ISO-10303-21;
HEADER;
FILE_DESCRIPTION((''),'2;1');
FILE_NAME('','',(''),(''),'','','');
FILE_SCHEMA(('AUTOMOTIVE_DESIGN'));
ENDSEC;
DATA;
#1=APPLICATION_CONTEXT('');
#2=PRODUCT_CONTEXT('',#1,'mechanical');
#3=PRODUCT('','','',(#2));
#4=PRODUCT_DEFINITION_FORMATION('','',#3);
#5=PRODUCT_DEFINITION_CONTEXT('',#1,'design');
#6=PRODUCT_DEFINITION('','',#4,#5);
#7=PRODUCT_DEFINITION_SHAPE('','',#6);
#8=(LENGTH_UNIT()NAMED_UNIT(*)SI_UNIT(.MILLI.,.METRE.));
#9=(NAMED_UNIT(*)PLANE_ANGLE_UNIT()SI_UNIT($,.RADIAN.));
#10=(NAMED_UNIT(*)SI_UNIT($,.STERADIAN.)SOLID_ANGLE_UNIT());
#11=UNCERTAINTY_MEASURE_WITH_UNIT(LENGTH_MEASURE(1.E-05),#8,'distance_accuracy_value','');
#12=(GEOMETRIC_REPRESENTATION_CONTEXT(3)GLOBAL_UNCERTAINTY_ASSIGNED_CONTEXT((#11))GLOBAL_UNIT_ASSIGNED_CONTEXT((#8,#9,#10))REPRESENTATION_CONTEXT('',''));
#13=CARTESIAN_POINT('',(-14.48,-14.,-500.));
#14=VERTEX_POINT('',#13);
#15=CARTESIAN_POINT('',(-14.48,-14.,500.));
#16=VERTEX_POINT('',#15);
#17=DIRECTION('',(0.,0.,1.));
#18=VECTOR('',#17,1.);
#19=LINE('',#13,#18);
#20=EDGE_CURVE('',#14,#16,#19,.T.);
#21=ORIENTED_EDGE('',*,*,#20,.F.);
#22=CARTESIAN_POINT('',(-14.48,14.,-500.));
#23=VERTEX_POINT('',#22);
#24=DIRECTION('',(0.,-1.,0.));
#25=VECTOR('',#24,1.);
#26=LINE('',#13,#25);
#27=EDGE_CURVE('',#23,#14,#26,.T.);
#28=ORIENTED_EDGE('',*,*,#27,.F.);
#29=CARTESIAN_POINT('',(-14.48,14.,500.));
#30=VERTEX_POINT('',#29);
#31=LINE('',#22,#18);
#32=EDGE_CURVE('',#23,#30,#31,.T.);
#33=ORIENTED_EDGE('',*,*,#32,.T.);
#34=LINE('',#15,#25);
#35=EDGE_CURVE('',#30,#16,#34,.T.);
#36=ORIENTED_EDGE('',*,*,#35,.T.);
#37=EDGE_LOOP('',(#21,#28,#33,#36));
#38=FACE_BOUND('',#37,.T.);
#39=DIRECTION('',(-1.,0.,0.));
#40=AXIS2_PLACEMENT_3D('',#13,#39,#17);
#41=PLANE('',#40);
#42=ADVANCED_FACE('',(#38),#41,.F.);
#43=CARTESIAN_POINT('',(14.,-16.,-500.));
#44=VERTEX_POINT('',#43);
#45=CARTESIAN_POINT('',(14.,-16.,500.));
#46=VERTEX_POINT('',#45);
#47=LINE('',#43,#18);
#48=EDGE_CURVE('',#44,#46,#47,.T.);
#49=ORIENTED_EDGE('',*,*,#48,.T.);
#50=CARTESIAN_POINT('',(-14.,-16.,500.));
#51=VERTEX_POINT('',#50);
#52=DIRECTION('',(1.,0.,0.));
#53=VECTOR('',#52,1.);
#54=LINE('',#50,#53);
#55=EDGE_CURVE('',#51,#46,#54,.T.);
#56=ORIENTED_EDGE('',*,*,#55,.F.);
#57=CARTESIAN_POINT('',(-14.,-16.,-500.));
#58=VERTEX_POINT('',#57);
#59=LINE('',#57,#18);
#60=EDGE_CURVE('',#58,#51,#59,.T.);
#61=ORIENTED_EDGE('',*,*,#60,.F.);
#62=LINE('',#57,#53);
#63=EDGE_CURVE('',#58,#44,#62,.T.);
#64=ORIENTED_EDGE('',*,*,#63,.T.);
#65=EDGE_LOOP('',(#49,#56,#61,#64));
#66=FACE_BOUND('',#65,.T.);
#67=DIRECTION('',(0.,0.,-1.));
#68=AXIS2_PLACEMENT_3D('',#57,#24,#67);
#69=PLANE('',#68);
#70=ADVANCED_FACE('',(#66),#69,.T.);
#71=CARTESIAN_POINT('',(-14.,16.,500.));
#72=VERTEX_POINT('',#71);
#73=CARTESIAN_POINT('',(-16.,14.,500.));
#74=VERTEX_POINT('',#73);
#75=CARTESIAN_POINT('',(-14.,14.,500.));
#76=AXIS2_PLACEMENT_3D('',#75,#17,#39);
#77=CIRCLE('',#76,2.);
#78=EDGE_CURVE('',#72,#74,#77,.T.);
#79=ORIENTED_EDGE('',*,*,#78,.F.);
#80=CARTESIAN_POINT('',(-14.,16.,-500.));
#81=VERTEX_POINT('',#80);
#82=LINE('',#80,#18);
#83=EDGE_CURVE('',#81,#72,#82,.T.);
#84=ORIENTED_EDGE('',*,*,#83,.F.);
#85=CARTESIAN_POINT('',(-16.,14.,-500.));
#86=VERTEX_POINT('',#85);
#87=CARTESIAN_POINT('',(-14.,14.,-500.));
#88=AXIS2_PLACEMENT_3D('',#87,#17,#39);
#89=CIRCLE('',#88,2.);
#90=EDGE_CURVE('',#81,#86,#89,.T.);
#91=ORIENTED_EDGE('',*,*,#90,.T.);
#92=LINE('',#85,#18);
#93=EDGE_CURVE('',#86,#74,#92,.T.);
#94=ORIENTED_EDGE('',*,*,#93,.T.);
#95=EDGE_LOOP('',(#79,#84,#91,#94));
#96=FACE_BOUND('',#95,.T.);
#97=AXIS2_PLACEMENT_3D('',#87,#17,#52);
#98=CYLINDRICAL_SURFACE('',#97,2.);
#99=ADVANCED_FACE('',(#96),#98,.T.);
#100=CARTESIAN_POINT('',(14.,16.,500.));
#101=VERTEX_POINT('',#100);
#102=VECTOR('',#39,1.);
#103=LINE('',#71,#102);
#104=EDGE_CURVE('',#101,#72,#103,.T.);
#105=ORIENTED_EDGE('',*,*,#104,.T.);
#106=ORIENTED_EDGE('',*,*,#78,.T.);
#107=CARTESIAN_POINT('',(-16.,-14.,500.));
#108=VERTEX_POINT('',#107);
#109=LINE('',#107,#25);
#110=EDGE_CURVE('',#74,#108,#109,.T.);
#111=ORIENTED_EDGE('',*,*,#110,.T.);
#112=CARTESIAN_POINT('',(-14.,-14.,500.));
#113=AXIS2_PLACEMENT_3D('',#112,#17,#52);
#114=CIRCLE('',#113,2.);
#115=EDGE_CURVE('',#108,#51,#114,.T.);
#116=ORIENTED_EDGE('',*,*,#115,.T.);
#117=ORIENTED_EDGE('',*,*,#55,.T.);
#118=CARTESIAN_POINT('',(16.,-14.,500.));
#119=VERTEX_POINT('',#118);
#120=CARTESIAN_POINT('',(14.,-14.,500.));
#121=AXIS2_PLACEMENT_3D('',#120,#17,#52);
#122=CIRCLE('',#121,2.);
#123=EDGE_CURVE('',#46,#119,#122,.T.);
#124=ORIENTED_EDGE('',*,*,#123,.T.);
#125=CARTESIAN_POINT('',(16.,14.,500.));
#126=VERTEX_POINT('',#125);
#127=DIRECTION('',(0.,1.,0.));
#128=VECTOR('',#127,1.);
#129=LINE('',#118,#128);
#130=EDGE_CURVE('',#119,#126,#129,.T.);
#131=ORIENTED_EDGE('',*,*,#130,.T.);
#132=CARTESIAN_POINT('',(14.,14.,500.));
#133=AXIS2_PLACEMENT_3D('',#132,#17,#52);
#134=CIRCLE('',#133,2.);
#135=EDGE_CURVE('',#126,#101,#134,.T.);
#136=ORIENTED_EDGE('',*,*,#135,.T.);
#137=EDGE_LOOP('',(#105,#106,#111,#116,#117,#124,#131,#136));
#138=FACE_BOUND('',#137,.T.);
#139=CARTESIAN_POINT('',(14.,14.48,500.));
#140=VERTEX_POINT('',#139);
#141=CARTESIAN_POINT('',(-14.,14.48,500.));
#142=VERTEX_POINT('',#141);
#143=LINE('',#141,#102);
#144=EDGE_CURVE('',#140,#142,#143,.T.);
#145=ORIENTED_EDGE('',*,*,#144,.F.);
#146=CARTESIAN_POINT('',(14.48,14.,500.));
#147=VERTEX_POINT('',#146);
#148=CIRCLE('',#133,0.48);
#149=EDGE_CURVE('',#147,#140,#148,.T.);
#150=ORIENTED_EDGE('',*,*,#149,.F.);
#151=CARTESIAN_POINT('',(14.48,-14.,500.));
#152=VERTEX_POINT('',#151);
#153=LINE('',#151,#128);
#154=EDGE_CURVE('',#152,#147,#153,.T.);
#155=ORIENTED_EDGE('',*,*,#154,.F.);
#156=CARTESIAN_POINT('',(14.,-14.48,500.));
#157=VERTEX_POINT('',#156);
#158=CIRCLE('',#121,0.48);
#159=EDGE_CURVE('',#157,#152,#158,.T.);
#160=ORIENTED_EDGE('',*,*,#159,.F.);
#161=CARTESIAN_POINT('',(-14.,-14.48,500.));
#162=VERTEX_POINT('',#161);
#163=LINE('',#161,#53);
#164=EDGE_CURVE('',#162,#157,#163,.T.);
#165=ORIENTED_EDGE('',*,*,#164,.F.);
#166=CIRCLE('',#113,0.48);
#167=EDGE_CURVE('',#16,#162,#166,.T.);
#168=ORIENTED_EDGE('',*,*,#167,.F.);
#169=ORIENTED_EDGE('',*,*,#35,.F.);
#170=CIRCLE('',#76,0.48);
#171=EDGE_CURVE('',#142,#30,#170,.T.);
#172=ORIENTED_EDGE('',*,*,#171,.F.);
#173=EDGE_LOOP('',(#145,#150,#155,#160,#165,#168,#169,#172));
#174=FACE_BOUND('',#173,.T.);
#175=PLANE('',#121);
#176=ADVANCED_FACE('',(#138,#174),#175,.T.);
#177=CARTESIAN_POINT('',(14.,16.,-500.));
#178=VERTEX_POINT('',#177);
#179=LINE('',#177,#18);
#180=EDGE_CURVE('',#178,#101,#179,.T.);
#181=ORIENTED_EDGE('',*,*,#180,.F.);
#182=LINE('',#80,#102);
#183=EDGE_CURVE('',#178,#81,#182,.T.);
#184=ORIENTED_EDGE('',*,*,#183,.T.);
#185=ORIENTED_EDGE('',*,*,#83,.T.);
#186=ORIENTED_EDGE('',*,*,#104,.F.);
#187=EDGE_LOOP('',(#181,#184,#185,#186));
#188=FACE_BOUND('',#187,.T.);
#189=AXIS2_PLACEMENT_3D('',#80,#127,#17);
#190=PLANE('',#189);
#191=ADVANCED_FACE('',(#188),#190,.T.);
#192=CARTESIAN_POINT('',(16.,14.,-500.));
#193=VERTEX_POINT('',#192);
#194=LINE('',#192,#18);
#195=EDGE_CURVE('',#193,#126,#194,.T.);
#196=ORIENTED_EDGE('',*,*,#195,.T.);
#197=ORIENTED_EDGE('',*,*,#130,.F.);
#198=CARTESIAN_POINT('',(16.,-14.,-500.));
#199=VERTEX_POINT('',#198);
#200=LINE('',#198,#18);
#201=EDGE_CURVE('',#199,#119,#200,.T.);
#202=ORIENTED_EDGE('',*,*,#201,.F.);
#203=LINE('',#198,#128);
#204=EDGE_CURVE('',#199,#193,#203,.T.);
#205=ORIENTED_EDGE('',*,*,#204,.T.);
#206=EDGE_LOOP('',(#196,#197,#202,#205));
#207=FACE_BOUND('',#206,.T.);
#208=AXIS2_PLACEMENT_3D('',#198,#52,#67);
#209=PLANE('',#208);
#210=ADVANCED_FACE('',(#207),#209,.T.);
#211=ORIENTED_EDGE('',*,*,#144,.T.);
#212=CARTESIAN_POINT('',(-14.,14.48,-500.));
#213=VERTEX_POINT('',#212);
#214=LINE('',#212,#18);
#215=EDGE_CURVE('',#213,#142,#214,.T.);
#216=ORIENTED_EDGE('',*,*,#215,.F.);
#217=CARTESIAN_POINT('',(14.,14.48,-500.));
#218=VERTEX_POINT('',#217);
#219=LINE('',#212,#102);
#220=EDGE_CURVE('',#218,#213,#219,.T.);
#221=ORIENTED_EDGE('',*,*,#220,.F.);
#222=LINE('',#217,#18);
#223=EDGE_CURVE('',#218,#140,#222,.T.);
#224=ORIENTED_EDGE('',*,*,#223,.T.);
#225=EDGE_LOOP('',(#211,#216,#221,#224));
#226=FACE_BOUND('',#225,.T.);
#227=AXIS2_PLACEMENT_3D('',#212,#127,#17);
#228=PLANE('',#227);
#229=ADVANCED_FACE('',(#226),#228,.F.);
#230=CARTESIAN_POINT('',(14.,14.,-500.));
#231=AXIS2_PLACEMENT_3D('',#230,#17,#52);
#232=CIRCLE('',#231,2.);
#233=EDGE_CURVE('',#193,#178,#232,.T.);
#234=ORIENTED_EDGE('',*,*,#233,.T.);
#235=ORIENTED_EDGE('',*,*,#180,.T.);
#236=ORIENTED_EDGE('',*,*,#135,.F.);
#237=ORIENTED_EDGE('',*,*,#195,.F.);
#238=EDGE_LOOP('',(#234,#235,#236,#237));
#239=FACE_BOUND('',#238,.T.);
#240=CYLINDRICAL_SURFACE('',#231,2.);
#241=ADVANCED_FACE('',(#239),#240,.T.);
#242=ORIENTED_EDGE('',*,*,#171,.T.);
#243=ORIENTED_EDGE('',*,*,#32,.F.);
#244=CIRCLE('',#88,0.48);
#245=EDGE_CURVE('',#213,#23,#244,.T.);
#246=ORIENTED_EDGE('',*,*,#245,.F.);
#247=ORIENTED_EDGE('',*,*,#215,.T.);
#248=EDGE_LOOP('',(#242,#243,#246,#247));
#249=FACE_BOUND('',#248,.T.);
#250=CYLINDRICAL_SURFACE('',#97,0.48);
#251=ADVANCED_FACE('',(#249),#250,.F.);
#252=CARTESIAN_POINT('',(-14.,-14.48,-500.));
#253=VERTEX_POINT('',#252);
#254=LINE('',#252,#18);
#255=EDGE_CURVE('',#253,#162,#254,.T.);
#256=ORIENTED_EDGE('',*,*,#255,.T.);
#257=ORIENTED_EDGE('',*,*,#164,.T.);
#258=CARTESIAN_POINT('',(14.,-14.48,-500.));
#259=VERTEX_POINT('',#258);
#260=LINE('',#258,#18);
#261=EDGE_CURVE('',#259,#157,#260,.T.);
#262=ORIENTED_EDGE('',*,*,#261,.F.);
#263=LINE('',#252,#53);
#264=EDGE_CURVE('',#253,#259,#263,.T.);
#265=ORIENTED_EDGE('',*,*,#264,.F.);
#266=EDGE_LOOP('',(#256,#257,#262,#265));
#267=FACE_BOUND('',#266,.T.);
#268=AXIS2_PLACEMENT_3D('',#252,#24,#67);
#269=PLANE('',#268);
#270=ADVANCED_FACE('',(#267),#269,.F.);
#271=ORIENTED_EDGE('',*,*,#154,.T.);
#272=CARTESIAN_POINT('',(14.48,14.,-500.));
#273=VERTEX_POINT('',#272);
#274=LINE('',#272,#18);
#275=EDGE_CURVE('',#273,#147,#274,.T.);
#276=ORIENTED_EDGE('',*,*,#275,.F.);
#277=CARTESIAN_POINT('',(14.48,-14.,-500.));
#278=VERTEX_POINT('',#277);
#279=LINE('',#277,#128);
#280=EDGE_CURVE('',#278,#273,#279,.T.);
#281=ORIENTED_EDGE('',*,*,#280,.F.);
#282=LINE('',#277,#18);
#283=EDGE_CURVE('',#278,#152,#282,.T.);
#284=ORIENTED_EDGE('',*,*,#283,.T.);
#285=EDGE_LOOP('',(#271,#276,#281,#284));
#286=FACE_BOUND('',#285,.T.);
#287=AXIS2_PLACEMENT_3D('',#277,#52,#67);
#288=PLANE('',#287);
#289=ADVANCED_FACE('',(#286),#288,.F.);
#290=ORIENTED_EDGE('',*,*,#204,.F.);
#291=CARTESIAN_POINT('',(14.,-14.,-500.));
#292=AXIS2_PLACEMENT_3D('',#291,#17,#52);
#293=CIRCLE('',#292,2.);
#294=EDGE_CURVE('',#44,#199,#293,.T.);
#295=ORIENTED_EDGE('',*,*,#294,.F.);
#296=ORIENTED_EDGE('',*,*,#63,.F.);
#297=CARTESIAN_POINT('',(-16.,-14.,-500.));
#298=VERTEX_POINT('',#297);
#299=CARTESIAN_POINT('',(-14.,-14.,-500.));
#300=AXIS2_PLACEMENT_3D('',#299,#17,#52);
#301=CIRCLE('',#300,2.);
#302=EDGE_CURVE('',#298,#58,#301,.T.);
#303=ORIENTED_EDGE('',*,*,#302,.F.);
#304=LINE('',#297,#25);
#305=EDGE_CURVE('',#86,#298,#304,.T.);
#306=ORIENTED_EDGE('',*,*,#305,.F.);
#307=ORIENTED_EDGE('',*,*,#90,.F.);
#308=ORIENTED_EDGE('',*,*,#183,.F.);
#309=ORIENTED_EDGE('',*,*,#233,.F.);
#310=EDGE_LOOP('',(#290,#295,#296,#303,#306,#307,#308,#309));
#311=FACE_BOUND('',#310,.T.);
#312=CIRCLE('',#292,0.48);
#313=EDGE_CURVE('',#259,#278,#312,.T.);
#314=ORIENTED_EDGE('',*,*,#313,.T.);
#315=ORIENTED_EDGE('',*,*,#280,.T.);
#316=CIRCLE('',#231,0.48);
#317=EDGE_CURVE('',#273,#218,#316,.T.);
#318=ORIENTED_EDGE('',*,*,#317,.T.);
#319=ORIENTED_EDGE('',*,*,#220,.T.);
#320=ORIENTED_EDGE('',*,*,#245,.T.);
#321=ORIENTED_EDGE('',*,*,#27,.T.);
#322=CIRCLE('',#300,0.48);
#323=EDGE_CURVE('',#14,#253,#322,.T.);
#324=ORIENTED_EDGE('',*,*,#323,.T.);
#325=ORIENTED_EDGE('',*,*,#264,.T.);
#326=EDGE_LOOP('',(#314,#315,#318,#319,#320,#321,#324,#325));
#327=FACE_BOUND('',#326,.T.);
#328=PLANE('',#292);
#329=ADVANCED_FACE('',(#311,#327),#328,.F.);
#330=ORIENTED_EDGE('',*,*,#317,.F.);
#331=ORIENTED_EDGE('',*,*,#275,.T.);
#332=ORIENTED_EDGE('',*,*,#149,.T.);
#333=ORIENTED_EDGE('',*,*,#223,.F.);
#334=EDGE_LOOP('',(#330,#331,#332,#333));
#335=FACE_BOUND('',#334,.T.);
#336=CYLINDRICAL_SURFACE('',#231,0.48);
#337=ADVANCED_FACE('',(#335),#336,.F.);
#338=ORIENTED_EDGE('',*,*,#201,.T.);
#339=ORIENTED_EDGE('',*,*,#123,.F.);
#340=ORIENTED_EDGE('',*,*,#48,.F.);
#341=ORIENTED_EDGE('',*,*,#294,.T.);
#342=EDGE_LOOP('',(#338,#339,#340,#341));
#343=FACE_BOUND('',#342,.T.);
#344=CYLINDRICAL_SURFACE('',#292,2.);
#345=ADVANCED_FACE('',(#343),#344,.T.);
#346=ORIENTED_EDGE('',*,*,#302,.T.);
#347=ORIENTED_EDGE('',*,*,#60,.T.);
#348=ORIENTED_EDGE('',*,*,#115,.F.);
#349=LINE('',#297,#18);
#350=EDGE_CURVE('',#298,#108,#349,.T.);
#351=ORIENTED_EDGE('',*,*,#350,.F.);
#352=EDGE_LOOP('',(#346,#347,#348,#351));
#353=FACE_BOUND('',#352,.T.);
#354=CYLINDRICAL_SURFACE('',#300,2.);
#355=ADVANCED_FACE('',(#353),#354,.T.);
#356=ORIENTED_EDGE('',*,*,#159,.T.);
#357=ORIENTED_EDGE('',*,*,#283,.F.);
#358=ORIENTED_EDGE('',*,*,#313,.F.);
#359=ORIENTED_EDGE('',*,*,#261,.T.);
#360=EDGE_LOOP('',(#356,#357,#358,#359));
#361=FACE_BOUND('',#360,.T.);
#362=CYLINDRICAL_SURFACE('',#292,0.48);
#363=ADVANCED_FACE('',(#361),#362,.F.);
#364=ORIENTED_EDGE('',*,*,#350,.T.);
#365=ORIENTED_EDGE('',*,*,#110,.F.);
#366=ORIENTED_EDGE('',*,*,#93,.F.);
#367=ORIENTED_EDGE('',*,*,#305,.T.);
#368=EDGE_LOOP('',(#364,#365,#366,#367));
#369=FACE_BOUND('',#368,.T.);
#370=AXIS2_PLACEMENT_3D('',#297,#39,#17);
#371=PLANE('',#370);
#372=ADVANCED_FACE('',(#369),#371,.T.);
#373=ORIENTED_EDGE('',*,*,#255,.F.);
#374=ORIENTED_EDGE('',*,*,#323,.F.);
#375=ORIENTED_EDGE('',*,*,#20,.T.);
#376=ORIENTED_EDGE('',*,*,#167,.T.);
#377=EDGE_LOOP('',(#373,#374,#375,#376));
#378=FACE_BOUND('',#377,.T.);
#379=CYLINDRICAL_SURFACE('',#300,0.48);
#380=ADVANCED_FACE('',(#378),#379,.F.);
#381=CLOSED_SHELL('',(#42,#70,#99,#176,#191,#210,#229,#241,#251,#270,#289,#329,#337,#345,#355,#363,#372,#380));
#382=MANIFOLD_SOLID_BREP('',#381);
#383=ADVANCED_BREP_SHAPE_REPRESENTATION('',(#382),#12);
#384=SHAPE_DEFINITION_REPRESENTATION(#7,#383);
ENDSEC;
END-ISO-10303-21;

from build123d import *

# Parameters (mm, degrees)
BOSS_EXTRUDE1_DEPTH      = 500
BOSS_EXTRUDE1_DEPTH_BACK = 500


with BuildPart() as part:
    # Sketch1 → Boss-Extrude1 (new body, two sides)
    with BuildSketch(Plane.XY) as boss_extrude1_sk:
        with BuildLine():
            Line((-14, -16), (14, -16))
            ThreePointArc((14, -16), (15.414213562, -15.414213562), (16, -14))
            Line((16, -14), (16, 14))
            ThreePointArc((16, 14), (15.414213562, 15.414213562), (14, 16))
            Line((14, 16), (-14, 16))
            ThreePointArc((-14, 16), (-15.414213562, 15.414213562), (-16, 14))
            Line((-16, 14), (-16, -14))
            ThreePointArc((-16, -14), (-15.414213562, -15.414213562), (-14, -16))
        make_face()
        with BuildLine():
            Line((-14, 14.48), (14, 14.48))
            ThreePointArc((14, 14.48), (14.339411255, 14.339411255), (14.48, 14))
            Line((14.48, 14), (14.48, -14))
            ThreePointArc((14.48, -14), (14.339411255, -14.339411255), (14, -14.48))
            Line((14, -14.48), (-14, -14.48))
            ThreePointArc((-14, -14.48), (-14.339411255, -14.339411255), (-14.48, -14))
            Line((-14.48, -14), (-14.48, 14))
            ThreePointArc((-14.48, 14), (-14.339411255, 14.339411255), (-14, 14.48))
        make_face(mode=Mode.SUBTRACT)
    extrude(amount=BOSS_EXTRUDE1_DEPTH)
    extrude(boss_extrude1_sk.sketch, amount=-BOSS_EXTRUDE1_DEPTH_BACK)


solid = part.part
